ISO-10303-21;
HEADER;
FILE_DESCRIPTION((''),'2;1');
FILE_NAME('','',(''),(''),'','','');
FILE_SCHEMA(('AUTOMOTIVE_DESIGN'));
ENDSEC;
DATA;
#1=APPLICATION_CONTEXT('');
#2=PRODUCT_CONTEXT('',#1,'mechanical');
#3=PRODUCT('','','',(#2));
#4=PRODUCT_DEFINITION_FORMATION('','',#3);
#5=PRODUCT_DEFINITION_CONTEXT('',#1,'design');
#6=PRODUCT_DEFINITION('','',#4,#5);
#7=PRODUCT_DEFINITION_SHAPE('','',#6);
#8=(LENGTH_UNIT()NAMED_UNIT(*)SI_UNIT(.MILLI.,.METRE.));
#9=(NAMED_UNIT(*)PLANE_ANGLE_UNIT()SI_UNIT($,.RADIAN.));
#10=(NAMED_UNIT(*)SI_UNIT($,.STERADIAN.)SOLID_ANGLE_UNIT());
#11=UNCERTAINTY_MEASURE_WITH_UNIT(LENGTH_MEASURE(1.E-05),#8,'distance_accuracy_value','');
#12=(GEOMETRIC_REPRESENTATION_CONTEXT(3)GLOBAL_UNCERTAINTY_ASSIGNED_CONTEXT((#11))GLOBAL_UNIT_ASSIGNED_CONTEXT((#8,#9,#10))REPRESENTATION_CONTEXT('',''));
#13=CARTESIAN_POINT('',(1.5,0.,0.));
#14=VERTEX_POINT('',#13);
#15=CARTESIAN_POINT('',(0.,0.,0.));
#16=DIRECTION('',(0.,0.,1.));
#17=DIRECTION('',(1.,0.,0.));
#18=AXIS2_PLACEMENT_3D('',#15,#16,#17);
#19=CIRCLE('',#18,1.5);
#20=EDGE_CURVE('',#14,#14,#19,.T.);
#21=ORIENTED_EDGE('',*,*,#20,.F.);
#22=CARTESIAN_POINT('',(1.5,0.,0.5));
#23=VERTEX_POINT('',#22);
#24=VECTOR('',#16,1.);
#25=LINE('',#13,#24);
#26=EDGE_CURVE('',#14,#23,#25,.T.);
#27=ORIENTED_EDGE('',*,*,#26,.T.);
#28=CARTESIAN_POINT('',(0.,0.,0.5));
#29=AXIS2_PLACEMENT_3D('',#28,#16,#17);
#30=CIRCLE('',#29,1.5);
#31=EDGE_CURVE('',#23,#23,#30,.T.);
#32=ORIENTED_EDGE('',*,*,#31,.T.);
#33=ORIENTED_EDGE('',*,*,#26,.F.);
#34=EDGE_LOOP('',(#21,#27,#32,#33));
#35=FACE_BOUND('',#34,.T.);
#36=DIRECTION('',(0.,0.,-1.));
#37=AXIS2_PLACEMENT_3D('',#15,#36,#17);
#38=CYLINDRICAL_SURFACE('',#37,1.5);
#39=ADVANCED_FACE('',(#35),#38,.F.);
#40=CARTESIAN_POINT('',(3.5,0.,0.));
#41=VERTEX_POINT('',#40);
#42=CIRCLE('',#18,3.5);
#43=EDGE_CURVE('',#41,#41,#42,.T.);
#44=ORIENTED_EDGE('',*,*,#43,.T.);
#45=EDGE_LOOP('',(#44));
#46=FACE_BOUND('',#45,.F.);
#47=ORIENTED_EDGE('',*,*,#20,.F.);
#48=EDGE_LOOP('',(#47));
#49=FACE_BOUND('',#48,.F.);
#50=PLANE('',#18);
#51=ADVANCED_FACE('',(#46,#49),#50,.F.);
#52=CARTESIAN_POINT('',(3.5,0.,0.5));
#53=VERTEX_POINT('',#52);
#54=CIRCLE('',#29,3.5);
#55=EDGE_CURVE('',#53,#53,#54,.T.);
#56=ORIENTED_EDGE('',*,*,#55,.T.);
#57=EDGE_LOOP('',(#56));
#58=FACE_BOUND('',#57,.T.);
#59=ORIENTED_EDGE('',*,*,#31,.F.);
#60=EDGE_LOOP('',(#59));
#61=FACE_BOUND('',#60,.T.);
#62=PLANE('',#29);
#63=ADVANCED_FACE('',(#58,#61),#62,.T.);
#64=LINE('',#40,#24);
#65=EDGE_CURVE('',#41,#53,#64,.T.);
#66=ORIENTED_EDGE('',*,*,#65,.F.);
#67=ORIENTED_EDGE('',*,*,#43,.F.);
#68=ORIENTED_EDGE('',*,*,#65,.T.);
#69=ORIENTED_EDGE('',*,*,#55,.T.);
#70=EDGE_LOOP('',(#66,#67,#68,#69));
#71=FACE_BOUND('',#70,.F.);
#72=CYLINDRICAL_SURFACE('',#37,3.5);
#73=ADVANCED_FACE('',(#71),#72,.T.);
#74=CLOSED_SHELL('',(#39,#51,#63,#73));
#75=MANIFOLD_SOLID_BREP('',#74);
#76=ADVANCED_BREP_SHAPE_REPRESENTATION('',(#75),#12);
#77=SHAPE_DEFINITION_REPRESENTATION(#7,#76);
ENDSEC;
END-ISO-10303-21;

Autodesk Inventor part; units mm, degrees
ref_plane "YZ Plane" through (0, 0, 0) normal (1, 0, 0) x (0, 1, 0)
ref_plane "XZ Plane" through (0, 0, 0) normal (0, 1, 0) x (-1, 0, 0)
ref_plane "XY Plane" through (0, 0, 0) normal (0, 0, 1) x (1, 0, 0)
sketch "Sketch1" plane through (0, 0, 0) normal (0, 0, 1) x (1, 0, 0)
  circle A0 centre (0, 0) radius 3.5
  circle A1 centre (0, 0) radius 1.5
  dimension "d0" = 7
  dimension "d1" = 3
extrude "Extrusion1" add sketch "Sketch1" along normal blind 0.5
properties part number "washer_M3"
